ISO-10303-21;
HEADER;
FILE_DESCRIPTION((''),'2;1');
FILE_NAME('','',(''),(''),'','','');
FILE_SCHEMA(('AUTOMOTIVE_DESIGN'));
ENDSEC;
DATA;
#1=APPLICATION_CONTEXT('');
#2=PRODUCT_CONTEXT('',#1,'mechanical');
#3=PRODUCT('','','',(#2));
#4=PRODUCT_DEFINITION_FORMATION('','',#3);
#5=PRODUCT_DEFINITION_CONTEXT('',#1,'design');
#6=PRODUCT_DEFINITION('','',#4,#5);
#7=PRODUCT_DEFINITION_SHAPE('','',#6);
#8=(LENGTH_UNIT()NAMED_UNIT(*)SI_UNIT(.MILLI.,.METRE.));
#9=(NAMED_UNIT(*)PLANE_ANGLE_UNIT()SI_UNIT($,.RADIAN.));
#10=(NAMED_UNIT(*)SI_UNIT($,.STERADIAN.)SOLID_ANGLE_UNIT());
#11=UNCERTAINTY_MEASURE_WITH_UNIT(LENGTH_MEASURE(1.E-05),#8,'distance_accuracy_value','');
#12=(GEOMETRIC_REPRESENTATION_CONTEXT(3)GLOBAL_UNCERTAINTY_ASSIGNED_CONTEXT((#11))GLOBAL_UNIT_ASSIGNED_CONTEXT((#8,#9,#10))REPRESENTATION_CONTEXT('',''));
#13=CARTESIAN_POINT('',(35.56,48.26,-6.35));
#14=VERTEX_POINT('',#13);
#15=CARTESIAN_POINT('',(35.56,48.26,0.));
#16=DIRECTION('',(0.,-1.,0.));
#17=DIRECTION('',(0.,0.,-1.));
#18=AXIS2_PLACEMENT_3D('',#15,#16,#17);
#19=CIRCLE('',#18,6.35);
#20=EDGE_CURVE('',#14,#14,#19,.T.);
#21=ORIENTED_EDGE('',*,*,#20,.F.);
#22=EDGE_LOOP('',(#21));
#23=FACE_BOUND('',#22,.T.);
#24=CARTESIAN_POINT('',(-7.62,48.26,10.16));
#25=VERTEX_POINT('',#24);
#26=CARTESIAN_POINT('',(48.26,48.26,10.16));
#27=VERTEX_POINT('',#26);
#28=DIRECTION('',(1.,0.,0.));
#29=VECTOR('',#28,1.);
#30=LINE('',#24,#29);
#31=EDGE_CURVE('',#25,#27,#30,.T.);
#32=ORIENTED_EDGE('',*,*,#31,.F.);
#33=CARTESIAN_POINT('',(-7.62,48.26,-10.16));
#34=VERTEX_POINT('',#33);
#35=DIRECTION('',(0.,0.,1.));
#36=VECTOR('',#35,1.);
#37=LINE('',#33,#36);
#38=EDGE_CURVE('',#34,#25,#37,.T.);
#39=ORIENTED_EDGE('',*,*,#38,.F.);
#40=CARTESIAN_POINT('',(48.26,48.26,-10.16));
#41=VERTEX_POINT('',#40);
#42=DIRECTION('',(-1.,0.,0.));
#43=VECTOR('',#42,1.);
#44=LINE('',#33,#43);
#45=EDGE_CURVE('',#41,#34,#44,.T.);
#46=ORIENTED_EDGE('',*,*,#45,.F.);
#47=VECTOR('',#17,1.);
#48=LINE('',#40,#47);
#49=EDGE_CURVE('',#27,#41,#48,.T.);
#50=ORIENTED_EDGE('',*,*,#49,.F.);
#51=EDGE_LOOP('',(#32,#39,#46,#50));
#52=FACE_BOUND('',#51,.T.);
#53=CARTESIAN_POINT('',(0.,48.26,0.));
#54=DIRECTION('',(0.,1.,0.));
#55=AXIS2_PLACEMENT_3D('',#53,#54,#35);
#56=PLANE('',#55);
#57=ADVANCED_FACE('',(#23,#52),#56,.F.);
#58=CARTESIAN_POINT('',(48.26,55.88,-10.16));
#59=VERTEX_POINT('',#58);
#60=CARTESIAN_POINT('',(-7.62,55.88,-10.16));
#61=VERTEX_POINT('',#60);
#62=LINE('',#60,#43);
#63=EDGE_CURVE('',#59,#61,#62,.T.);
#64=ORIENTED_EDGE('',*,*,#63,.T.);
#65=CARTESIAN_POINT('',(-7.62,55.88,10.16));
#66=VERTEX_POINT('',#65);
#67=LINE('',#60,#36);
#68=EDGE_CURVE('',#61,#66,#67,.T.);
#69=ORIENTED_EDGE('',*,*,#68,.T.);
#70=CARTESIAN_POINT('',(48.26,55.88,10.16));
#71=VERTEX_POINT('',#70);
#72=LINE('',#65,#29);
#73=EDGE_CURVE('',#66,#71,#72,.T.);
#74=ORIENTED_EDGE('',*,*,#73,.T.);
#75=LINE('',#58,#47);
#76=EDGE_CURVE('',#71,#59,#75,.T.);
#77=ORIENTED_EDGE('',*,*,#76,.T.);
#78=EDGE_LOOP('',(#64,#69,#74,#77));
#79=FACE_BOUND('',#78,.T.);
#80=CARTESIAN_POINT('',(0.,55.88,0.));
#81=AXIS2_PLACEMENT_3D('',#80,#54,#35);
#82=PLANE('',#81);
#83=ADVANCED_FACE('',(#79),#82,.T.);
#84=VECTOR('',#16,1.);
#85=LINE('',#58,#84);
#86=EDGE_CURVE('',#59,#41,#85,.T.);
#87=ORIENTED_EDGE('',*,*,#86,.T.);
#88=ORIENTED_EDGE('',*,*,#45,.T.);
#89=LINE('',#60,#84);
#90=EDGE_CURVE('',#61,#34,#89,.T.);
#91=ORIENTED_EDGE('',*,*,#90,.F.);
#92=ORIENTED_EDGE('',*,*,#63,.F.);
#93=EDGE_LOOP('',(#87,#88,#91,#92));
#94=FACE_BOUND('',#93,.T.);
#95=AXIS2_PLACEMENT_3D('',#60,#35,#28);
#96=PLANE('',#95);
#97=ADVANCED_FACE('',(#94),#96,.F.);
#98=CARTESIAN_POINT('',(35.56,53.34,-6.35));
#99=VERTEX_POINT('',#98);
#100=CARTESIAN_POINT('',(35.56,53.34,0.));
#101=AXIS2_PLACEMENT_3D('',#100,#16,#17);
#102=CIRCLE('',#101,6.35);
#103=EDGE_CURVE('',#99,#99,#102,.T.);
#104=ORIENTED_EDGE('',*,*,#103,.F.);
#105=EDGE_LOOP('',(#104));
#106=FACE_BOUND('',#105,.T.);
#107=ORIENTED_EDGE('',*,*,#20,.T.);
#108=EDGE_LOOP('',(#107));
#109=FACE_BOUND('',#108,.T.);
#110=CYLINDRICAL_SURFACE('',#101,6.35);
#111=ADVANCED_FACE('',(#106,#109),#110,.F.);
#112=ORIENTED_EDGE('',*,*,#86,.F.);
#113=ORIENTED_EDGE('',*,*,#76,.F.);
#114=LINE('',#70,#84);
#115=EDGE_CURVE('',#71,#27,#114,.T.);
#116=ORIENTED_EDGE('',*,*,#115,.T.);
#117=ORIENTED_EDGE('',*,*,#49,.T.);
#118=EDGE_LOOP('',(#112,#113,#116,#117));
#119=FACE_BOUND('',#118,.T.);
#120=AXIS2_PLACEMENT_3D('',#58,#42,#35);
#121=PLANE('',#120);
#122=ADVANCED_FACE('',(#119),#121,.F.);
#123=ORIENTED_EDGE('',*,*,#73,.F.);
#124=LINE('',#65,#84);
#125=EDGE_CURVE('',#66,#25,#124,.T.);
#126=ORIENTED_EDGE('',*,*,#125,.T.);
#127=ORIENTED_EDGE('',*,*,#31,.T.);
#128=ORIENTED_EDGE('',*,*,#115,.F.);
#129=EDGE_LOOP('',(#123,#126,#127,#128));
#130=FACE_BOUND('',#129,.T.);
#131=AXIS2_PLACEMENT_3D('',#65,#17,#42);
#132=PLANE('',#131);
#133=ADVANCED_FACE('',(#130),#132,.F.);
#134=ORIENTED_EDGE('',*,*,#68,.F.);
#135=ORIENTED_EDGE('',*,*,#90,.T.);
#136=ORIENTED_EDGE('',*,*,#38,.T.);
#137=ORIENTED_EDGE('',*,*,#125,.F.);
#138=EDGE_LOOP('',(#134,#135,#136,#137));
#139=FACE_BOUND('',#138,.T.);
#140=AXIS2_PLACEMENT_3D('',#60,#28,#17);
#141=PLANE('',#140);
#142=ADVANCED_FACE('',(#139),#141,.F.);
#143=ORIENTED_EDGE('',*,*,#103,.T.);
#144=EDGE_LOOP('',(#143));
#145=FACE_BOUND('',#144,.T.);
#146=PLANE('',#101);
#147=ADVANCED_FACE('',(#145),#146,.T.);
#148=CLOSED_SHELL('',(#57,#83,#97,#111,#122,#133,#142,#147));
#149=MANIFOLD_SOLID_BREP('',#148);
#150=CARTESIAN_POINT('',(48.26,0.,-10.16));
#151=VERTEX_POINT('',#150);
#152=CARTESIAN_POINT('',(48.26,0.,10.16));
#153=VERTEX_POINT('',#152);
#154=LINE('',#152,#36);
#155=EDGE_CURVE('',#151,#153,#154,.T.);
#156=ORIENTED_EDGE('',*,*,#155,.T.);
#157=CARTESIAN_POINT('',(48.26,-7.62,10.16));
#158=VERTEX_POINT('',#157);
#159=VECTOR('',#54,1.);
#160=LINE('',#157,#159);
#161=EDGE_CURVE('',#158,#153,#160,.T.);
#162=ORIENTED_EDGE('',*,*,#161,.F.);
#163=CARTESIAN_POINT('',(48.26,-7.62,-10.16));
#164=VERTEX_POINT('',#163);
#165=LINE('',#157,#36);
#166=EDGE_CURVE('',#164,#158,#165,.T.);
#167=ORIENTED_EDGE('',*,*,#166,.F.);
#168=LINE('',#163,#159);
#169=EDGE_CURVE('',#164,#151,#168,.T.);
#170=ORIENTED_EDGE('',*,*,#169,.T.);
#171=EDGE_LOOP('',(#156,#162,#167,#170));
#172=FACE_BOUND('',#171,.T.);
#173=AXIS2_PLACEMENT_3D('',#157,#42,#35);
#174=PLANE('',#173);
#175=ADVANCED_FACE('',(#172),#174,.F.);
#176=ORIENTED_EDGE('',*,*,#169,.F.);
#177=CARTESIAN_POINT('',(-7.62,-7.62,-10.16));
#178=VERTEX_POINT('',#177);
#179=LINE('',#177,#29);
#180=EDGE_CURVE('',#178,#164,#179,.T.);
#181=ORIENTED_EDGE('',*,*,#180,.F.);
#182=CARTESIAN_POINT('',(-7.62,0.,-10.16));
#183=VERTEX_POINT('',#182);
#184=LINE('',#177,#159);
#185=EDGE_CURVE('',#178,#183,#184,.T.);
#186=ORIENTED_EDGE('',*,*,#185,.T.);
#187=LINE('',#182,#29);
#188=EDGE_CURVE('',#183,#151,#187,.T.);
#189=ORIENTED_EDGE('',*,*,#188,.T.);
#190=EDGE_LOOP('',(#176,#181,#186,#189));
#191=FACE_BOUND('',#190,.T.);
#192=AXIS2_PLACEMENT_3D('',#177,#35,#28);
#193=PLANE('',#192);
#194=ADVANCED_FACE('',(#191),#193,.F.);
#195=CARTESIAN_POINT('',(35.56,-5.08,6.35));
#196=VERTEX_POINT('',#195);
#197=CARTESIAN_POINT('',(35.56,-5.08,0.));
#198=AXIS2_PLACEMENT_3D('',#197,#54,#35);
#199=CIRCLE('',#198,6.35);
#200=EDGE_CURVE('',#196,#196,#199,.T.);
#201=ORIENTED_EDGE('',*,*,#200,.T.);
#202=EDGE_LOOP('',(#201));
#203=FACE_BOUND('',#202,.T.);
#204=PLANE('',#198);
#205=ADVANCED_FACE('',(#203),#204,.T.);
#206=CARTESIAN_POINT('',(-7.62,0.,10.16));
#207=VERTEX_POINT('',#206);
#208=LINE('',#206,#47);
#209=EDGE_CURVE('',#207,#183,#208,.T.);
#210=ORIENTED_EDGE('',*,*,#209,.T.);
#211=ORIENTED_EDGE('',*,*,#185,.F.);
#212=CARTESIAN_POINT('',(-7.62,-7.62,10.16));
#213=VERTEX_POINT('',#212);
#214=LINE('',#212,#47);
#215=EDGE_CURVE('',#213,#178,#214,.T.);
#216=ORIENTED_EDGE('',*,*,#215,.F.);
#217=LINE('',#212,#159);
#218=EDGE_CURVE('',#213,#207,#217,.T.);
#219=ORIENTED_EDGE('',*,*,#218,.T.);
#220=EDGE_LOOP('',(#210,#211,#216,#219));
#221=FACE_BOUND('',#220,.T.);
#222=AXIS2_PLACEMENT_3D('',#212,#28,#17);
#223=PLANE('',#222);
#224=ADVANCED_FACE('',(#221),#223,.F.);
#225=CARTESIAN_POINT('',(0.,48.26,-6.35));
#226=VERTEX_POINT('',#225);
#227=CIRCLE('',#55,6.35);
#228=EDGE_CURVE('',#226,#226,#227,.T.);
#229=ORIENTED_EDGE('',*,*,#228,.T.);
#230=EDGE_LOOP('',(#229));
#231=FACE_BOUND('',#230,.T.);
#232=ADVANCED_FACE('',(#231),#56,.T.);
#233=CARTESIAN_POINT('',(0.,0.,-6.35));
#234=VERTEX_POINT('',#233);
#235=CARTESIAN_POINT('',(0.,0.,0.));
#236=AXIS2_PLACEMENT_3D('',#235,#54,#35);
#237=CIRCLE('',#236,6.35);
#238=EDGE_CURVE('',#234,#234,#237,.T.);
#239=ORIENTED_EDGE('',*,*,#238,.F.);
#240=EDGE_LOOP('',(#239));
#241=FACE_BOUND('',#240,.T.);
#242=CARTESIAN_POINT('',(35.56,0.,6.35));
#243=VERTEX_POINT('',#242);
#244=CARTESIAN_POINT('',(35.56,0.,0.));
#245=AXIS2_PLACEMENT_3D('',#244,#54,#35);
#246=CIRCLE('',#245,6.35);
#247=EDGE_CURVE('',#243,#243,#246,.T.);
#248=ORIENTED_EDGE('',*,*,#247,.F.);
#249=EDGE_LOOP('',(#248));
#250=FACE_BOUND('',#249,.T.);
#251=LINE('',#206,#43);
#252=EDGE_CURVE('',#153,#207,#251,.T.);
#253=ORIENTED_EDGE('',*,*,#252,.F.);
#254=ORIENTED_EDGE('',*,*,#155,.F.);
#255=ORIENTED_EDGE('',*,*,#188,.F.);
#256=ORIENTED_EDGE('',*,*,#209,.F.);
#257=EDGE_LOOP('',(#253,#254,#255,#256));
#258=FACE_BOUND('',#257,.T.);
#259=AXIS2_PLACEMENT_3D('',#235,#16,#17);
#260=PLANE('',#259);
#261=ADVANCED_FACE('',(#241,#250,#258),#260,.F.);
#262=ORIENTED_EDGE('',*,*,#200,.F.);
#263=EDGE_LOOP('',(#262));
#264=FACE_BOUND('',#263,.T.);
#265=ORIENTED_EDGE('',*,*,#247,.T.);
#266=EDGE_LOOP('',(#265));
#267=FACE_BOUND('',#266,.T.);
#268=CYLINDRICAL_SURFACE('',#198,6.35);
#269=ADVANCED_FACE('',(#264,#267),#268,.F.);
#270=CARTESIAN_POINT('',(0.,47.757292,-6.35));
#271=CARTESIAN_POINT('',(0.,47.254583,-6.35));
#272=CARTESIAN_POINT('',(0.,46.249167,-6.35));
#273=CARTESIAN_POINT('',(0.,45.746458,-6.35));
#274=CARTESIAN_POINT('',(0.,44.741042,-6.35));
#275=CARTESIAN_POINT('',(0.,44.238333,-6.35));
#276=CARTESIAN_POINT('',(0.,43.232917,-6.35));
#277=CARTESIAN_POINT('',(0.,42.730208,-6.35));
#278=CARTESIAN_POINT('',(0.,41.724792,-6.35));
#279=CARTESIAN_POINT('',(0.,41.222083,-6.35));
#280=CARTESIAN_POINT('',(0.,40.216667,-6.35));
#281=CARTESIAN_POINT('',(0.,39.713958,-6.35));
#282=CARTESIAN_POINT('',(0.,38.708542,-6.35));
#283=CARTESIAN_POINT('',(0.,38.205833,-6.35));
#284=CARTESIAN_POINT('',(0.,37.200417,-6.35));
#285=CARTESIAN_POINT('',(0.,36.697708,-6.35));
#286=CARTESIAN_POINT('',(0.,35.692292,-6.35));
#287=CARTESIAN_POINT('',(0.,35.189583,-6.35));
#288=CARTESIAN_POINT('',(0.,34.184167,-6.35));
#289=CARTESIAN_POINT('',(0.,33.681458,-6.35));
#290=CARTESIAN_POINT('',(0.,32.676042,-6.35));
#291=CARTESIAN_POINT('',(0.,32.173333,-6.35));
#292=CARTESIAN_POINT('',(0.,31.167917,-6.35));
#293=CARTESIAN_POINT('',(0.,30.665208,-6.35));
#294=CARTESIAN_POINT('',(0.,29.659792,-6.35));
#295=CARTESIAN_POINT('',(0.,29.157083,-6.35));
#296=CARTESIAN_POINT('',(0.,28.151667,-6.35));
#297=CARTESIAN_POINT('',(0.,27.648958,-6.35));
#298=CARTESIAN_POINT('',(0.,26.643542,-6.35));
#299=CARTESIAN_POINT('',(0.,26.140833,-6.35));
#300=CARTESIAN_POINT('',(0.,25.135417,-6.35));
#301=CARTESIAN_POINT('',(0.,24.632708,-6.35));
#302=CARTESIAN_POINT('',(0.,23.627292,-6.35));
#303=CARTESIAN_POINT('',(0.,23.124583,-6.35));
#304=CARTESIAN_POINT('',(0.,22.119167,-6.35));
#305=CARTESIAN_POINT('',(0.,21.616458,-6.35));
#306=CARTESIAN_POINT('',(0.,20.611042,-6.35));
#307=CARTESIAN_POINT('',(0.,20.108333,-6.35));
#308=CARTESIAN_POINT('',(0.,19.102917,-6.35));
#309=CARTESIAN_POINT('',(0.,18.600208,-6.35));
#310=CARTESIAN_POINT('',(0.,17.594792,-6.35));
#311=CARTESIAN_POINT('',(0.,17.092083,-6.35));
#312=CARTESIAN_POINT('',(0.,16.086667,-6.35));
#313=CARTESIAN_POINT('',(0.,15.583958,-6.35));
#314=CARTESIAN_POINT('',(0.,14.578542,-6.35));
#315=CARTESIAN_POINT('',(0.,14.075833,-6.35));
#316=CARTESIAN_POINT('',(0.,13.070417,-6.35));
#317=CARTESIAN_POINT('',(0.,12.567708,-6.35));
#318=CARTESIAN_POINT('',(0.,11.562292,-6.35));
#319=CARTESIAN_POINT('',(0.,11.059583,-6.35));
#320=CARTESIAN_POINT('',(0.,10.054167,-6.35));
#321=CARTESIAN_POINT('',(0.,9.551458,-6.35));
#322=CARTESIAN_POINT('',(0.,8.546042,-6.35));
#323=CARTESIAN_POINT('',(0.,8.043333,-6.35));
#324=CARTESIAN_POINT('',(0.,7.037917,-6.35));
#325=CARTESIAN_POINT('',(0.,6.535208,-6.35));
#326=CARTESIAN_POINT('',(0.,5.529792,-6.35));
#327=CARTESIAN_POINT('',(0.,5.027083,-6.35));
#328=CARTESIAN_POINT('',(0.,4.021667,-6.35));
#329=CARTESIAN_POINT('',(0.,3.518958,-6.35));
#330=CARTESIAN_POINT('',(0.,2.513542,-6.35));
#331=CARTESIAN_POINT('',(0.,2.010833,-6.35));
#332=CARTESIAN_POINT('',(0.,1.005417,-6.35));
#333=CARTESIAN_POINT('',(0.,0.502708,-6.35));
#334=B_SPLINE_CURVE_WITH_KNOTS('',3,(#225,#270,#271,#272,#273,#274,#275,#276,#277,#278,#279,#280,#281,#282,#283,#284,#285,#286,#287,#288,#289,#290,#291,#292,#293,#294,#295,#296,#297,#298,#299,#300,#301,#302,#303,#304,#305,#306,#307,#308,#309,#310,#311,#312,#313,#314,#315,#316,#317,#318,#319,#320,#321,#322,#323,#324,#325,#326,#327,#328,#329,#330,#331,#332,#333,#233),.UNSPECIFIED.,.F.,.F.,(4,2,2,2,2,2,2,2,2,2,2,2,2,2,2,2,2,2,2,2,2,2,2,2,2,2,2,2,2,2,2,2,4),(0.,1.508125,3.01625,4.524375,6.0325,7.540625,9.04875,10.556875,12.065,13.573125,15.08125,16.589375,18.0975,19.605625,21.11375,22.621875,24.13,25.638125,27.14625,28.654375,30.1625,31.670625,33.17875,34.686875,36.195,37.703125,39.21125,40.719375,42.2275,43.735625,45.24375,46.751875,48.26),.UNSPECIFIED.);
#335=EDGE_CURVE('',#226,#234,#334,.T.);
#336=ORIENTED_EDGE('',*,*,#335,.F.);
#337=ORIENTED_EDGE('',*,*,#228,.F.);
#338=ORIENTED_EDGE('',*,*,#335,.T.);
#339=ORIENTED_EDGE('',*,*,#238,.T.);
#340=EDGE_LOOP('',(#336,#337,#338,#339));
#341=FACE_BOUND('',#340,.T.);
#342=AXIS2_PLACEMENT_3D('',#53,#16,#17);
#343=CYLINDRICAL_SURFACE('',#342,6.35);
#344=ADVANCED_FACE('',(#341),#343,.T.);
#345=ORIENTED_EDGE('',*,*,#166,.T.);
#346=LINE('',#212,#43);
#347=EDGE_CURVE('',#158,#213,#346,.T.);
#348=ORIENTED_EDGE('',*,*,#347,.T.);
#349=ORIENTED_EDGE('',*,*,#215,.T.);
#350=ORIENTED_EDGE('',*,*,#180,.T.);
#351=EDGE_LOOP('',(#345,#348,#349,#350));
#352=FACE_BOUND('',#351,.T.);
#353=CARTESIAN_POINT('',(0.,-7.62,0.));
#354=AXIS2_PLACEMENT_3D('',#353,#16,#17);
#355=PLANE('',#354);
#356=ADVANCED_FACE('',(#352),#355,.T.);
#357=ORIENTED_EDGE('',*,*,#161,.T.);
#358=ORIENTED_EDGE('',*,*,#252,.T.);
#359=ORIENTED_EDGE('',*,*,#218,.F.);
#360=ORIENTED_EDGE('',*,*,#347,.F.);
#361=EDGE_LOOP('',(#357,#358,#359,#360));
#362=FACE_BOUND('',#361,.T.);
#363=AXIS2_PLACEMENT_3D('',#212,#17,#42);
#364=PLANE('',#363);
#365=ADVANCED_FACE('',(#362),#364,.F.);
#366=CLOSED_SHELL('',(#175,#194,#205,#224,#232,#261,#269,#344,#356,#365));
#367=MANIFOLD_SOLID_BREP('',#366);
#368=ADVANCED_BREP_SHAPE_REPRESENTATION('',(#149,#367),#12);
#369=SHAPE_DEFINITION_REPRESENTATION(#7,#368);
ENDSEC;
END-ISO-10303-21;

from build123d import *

# Parameters (mm, degrees)
SKETCH1_R           = 6.35
BOSS_EXTRUDE1_DEPTH = 48.26
SKETCH2_W           = 55.88
SKETCH2_H           = 20.32
BOSS_EXTRUDE2_DEPTH = 7.62
SKETCH3_W           = 55.88
SKETCH3_H           = 20.32
BOSS_EXTRUDE3_DEPTH = 7.62
SKETCH5_R           = 6.35
CUT_EXTRUDE1_DEPTH  = 5.08
CUT_EXTRUDE2_START  = -5.08
SKETCH6_R           = 6.35
CUT_EXTRUDE2_DEPTH  = 5.08


with BuildPart() as part:
    # Sketch1 → Boss-Extrude1 (new body)
    with BuildSketch(Plane(origin=(0, 0, 0), x_dir=(1, 0, 0), z_dir=(0, 1, 0))):
        with Locations(Location((0, 0, 0), (0, 0, 90))):
            Circle(SKETCH1_R)
    extrude(amount=BOSS_EXTRUDE1_DEPTH)

    # Sketch3 → Boss-Extrude3 (add)
    with BuildSketch(Plane.XZ):
        with Locations((20.32, 0)):
            Rectangle(SKETCH3_W, SKETCH3_H)
    extrude(amount=BOSS_EXTRUDE3_DEPTH)

    # Sketch5 → Cut-Extrude1 (cut)
    with BuildSketch(Plane(origin=(0, 0, 0), x_dir=(1, 0, 0), z_dir=(0, 1, 0))):
        with Locations(Location((35.56, 0, 0), (0, 0, 270))):
            Circle(SKETCH5_R)
    extrude(amount=-CUT_EXTRUDE1_DEPTH, mode=Mode.SUBTRACT)


with BuildPart() as body_2:
    # Sketch2 → Boss-Extrude2 (new body)
    with BuildSketch(Plane(origin=(0, 48.26, 0), x_dir=(1, 0, 0), z_dir=(0, 1, 0))):
        with Locations((20.32, 0)):
            Rectangle(SKETCH2_W, SKETCH2_H)
    extrude(amount=BOSS_EXTRUDE2_DEPTH)

    # Sketch6 → Cut-Extrude2 (cut)
    with BuildSketch(Plane.XZ.offset(-48.26).offset(CUT_EXTRUDE2_START)):
        with Locations(Location((35.56, 0, 0), (0, 0, 270))):
            Circle(SKETCH6_R)
    extrude(amount=CUT_EXTRUDE2_DEPTH, mode=Mode.SUBTRACT)


solid = Compound([part.part, body_2.part])
